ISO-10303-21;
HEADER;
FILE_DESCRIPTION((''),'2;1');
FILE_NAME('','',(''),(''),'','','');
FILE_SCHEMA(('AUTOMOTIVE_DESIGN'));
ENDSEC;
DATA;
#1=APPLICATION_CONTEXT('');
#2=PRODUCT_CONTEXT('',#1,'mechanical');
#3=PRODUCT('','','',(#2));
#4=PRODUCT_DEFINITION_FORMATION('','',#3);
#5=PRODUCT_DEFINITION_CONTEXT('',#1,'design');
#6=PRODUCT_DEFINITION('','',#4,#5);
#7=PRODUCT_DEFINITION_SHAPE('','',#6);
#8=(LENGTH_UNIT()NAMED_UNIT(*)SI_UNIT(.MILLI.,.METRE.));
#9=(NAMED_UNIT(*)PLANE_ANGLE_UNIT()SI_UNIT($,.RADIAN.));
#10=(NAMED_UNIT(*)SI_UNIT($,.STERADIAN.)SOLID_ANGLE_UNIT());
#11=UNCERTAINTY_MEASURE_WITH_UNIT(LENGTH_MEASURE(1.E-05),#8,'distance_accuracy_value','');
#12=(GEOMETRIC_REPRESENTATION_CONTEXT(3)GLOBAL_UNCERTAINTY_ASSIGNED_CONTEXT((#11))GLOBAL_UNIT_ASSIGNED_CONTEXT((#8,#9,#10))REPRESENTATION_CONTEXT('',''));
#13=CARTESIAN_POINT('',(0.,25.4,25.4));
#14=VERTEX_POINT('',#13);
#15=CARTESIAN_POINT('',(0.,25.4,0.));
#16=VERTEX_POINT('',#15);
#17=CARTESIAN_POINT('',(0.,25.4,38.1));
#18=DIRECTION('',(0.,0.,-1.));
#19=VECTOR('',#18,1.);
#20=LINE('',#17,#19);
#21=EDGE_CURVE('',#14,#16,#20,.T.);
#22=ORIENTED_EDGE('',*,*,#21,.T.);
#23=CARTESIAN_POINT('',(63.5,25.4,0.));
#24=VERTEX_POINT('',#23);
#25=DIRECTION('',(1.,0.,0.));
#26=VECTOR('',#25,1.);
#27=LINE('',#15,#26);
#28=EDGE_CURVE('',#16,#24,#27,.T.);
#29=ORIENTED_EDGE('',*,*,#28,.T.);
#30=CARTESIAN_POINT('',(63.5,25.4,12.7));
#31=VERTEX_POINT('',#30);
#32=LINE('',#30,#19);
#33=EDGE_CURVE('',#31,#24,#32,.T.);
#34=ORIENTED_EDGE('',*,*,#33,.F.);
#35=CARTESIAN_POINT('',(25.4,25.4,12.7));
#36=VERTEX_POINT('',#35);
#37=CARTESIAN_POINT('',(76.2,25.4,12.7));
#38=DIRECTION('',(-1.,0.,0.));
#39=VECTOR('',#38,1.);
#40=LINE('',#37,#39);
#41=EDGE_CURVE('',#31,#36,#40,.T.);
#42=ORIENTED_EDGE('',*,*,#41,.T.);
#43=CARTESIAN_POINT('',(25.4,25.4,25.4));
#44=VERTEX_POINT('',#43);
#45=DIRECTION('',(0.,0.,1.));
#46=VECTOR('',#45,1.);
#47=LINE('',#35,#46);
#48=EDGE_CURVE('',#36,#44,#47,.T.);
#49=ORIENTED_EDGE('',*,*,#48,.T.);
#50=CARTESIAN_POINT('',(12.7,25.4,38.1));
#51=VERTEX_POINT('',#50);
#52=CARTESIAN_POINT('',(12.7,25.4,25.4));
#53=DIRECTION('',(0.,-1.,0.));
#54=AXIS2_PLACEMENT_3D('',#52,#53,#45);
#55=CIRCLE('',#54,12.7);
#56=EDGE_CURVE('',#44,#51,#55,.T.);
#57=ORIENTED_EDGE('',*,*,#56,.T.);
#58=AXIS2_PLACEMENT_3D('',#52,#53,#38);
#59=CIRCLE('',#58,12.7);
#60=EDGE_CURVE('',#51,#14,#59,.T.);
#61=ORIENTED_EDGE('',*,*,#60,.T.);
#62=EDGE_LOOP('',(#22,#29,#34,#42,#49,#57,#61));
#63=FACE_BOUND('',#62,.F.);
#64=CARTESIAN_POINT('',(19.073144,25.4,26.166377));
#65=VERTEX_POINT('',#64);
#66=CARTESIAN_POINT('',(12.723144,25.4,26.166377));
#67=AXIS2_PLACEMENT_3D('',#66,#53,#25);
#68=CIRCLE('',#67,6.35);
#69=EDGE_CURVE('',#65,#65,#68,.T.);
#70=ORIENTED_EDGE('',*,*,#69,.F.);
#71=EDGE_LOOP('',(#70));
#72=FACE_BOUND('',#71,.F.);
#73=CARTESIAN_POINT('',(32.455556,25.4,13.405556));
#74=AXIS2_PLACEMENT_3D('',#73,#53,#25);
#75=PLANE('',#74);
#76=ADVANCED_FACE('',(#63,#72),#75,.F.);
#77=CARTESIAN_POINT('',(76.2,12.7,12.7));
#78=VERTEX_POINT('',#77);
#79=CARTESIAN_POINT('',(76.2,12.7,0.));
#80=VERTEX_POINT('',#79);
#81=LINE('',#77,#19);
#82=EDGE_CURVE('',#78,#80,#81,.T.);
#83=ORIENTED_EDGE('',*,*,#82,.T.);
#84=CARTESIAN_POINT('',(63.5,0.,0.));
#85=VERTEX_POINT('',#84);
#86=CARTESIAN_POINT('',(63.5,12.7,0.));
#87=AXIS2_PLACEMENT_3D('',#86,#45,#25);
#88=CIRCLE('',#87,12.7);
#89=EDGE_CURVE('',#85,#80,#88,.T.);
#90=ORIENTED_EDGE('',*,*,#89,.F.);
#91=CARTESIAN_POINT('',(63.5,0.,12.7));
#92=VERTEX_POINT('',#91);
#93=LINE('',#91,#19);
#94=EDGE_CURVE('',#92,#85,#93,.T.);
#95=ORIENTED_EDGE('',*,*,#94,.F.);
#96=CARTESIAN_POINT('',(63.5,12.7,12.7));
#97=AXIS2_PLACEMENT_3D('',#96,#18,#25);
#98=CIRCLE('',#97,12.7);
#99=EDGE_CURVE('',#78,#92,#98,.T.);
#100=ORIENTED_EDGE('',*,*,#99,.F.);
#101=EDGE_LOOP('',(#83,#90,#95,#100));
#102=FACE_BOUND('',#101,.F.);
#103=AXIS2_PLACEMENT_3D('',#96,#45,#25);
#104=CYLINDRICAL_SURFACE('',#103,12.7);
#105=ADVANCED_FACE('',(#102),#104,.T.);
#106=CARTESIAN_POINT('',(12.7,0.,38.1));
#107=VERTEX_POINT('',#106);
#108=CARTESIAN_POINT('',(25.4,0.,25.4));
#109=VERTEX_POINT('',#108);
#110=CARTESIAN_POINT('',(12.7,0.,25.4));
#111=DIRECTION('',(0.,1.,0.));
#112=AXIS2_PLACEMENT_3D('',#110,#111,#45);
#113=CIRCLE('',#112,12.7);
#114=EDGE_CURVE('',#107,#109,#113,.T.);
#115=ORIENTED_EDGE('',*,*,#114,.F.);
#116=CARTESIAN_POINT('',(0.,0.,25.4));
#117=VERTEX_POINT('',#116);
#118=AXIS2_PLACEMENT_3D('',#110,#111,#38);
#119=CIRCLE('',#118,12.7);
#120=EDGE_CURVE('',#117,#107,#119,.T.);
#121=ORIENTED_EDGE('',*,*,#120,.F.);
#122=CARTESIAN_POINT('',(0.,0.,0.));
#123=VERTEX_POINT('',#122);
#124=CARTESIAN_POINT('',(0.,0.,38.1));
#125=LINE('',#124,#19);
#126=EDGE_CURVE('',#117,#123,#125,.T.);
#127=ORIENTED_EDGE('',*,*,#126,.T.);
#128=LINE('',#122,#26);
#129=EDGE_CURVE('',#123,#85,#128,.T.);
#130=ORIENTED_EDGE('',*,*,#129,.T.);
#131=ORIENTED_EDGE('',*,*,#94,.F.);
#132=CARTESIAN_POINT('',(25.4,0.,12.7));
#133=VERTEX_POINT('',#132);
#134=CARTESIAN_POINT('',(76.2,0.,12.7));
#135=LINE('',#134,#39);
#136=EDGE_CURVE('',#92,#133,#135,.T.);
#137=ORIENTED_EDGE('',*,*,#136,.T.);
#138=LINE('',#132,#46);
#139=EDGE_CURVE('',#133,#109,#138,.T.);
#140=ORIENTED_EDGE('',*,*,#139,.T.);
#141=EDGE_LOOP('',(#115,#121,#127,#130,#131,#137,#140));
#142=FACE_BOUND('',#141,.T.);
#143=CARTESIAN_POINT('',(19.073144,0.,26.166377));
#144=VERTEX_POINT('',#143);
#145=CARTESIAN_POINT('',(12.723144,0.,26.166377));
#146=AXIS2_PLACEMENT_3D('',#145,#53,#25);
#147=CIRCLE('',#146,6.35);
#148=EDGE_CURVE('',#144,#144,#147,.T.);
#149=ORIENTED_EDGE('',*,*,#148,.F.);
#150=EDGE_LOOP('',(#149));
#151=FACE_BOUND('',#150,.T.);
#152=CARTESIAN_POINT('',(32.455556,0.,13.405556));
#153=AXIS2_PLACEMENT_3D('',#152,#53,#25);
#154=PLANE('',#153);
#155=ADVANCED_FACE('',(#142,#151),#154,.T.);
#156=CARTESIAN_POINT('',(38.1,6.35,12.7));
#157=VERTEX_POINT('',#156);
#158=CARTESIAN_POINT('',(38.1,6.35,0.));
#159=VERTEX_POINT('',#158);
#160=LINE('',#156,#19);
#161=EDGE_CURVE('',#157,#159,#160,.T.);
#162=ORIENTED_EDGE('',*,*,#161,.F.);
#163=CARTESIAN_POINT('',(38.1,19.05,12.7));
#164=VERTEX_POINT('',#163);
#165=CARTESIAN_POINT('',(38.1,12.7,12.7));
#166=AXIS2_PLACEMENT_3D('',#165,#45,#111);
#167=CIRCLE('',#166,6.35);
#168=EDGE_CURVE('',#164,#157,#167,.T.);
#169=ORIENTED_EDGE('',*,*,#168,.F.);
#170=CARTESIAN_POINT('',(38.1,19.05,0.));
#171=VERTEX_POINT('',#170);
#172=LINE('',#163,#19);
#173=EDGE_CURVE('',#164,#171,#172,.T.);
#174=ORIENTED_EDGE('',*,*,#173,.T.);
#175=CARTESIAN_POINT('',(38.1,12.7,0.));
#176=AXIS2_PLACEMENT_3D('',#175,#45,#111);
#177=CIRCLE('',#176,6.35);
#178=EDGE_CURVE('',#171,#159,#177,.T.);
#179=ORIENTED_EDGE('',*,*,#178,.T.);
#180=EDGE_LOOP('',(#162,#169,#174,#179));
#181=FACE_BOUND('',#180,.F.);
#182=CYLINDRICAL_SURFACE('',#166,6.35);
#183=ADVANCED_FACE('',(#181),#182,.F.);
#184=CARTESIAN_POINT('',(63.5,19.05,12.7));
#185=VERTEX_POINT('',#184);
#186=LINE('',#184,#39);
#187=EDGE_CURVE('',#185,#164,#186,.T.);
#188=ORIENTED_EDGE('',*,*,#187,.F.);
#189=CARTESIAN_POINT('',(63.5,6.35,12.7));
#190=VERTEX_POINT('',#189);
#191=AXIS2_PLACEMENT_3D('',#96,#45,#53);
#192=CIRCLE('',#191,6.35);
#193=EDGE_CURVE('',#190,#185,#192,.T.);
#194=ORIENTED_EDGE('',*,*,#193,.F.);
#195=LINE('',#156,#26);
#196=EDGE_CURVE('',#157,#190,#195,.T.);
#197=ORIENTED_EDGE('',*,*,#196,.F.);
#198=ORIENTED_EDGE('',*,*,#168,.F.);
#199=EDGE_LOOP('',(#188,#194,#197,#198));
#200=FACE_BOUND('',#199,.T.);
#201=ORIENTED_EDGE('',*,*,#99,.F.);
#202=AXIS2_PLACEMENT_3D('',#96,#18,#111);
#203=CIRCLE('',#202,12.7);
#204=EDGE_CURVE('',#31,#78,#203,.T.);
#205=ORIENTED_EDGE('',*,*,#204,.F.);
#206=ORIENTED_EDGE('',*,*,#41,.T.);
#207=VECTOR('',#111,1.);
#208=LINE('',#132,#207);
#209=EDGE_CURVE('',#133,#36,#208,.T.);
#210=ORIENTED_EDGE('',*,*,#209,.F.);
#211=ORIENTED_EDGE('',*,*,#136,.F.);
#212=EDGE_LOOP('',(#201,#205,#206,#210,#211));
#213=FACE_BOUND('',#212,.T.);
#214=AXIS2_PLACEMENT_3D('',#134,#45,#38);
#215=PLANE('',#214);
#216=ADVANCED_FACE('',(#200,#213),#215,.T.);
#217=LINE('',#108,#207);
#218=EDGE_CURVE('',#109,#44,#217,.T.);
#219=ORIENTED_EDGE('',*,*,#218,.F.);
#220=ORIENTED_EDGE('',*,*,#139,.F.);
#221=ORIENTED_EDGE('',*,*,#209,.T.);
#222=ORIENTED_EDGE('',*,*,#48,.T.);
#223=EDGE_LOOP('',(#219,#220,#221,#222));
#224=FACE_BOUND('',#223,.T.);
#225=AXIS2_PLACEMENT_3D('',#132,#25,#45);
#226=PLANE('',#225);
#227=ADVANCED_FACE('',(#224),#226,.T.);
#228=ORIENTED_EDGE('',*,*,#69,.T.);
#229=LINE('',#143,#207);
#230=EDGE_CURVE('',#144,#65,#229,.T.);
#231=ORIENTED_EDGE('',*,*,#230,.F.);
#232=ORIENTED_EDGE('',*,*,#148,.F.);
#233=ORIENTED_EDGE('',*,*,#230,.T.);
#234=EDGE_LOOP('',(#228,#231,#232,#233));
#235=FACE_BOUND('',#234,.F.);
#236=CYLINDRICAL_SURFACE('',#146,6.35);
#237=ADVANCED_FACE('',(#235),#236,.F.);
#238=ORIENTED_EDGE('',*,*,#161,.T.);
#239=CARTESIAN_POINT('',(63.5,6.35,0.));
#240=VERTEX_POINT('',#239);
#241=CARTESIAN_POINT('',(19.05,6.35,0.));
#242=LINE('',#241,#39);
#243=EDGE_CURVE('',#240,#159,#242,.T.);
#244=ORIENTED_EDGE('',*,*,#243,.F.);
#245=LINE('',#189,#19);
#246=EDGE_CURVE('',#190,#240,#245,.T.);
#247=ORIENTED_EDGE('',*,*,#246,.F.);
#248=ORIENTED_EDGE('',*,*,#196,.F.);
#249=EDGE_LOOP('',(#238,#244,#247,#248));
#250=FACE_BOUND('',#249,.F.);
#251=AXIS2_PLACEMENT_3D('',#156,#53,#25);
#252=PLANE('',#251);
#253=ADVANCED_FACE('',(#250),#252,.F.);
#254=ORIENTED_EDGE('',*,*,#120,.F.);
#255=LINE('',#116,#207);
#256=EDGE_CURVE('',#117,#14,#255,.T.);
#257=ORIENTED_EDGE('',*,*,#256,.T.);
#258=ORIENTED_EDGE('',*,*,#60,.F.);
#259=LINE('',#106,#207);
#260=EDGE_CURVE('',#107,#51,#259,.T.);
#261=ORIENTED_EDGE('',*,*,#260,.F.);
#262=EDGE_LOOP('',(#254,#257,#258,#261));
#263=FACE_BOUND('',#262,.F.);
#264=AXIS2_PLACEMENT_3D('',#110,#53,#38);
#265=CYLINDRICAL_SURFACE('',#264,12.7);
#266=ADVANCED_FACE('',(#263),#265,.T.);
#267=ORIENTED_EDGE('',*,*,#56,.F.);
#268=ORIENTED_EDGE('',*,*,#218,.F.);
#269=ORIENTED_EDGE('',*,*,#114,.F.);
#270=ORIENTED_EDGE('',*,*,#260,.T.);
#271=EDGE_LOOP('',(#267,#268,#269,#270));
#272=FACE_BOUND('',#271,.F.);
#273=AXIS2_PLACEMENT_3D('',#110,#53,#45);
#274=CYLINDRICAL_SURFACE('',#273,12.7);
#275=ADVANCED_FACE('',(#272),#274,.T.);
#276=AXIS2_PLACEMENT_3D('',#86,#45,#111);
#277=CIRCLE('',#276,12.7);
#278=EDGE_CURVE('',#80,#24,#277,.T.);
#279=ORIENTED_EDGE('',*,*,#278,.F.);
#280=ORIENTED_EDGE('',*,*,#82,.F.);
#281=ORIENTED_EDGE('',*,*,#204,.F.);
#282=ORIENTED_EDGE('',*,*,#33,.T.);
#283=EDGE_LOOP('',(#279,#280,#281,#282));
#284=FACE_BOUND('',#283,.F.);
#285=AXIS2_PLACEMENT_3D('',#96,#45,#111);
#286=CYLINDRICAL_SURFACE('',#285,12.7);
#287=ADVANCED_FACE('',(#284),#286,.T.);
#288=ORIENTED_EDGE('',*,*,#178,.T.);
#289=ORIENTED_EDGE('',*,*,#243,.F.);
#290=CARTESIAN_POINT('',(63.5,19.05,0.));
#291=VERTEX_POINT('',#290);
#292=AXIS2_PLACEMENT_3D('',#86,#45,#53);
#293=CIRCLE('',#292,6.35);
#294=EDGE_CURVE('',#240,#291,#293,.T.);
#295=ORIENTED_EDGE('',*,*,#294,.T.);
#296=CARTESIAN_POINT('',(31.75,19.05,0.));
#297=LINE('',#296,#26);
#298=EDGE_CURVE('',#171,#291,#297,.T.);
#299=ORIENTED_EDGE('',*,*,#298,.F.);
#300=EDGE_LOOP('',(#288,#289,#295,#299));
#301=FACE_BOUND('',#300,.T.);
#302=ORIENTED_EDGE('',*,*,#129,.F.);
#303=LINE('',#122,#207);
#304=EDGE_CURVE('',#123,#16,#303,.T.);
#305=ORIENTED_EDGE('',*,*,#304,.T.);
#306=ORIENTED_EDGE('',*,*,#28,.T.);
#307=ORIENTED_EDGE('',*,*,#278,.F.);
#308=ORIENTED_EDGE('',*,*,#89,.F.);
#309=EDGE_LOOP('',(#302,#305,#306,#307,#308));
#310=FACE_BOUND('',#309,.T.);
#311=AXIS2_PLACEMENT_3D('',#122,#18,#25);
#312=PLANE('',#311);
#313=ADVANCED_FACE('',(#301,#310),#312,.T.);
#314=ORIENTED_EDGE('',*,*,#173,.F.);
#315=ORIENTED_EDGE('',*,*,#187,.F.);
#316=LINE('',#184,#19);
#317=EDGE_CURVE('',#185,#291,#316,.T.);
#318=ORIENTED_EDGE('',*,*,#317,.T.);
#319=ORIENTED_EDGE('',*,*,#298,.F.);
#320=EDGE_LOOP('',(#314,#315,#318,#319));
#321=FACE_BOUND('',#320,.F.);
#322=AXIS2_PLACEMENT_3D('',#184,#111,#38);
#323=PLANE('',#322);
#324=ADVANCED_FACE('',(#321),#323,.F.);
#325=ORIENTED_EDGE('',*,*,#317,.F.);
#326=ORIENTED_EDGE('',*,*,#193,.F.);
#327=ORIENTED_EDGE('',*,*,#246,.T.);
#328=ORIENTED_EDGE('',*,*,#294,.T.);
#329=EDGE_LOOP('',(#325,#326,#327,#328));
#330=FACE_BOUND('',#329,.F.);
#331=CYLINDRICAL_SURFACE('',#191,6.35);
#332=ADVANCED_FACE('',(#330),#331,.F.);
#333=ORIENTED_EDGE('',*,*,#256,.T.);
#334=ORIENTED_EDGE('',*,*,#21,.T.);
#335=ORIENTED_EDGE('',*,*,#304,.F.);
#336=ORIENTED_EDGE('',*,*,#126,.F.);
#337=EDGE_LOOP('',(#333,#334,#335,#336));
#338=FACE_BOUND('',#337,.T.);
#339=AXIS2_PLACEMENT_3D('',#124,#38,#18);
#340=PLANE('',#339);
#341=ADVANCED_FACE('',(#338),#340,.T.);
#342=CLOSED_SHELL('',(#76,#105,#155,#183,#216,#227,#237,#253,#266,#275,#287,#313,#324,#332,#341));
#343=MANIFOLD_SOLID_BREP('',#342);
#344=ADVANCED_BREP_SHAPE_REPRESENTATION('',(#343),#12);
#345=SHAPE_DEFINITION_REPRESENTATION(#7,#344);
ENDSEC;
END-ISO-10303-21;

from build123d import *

# Parameters (mm, degrees)
F1_DEPTH = 25.4
F2_R     = 6.35
F3_DEPTH = 52.07
F5_DEPTH = 48.768
F7_DEPTH = 25.4
F9_DEPTH = 25.4


with BuildPart() as f1:
    # F0 (on Front) → F1 (new body)
    with BuildSketch(Plane.XZ):
        Polygon((0, 38.1), (0, 0), (76.2, 0), (76.2, 12.7), (25.4, 12.7), (25.4, 38.1), align=None)
    extrude(amount=-F1_DEPTH)

    # F2 (on face) → F3 (cut)
    with BuildSketch(Plane.XZ):
        with Locations((12.7231444902, 26.1663774417)):
            Circle(F2_R)
    extrude(amount=-F3_DEPTH, mode=Mode.SUBTRACT)

    # F4 (on face) → F5 (cut)
    with BuildSketch(Plane.XZ):
        with BuildLine():
            ThreePointArc((12.7, 38.1), (21.6802561211, 34.3802561211), (25.4, 25.4))
            Line((25.4, 25.4), (25.4, 38.1))
            Line((25.4, 38.1), (12.7, 38.1))
        make_face()
        with BuildLine():
            ThreePointArc((0, 25.4), (3.7197438789, 34.3802561211), (12.7, 38.1))
            Line((12.7, 38.1), (0, 38.1))
            Line((0, 38.1), (0, 25.4))
        make_face()
    extrude(amount=-F5_DEPTH, mode=Mode.SUBTRACT)

    # F6 (on face) → F7 (cut)
    with BuildSketch(Plane.XY.offset(12.7)):
        with BuildLine():
            Line((63.5, 19.05), (38.1, 19.05))
            ThreePointArc((38.1, 19.05), (31.75, 12.7), (38.1, 6.35))
            Line((38.1, 6.35), (63.5, 6.35))
            ThreePointArc((63.5, 6.35), (69.85, 12.7), (63.5, 19.05))
        make_face()
    extrude(amount=-F7_DEPTH, mode=Mode.SUBTRACT)

    # F8 (on face) → F9 (cut)
    with BuildSketch(Plane.XY.offset(12.7)):
        with BuildLine():
            ThreePointArc((63.5, 25.4), (72.4802561211, 21.6802561211), (76.2, 12.7))
            Line((76.2, 12.7), (76.2, 25.4))
            Line((76.2, 25.4), (63.5, 25.4))
        make_face()
        with BuildLine():
            ThreePointArc((76.2, 12.7), (72.4802561211, 3.7197438789), (63.5, 0))
            Line((63.5, 0), (76.2, 0))
            Line((76.2, 0), (76.2, 12.7))
        make_face()
    extrude(amount=-F9_DEPTH, mode=Mode.SUBTRACT)


solid = f1.part
